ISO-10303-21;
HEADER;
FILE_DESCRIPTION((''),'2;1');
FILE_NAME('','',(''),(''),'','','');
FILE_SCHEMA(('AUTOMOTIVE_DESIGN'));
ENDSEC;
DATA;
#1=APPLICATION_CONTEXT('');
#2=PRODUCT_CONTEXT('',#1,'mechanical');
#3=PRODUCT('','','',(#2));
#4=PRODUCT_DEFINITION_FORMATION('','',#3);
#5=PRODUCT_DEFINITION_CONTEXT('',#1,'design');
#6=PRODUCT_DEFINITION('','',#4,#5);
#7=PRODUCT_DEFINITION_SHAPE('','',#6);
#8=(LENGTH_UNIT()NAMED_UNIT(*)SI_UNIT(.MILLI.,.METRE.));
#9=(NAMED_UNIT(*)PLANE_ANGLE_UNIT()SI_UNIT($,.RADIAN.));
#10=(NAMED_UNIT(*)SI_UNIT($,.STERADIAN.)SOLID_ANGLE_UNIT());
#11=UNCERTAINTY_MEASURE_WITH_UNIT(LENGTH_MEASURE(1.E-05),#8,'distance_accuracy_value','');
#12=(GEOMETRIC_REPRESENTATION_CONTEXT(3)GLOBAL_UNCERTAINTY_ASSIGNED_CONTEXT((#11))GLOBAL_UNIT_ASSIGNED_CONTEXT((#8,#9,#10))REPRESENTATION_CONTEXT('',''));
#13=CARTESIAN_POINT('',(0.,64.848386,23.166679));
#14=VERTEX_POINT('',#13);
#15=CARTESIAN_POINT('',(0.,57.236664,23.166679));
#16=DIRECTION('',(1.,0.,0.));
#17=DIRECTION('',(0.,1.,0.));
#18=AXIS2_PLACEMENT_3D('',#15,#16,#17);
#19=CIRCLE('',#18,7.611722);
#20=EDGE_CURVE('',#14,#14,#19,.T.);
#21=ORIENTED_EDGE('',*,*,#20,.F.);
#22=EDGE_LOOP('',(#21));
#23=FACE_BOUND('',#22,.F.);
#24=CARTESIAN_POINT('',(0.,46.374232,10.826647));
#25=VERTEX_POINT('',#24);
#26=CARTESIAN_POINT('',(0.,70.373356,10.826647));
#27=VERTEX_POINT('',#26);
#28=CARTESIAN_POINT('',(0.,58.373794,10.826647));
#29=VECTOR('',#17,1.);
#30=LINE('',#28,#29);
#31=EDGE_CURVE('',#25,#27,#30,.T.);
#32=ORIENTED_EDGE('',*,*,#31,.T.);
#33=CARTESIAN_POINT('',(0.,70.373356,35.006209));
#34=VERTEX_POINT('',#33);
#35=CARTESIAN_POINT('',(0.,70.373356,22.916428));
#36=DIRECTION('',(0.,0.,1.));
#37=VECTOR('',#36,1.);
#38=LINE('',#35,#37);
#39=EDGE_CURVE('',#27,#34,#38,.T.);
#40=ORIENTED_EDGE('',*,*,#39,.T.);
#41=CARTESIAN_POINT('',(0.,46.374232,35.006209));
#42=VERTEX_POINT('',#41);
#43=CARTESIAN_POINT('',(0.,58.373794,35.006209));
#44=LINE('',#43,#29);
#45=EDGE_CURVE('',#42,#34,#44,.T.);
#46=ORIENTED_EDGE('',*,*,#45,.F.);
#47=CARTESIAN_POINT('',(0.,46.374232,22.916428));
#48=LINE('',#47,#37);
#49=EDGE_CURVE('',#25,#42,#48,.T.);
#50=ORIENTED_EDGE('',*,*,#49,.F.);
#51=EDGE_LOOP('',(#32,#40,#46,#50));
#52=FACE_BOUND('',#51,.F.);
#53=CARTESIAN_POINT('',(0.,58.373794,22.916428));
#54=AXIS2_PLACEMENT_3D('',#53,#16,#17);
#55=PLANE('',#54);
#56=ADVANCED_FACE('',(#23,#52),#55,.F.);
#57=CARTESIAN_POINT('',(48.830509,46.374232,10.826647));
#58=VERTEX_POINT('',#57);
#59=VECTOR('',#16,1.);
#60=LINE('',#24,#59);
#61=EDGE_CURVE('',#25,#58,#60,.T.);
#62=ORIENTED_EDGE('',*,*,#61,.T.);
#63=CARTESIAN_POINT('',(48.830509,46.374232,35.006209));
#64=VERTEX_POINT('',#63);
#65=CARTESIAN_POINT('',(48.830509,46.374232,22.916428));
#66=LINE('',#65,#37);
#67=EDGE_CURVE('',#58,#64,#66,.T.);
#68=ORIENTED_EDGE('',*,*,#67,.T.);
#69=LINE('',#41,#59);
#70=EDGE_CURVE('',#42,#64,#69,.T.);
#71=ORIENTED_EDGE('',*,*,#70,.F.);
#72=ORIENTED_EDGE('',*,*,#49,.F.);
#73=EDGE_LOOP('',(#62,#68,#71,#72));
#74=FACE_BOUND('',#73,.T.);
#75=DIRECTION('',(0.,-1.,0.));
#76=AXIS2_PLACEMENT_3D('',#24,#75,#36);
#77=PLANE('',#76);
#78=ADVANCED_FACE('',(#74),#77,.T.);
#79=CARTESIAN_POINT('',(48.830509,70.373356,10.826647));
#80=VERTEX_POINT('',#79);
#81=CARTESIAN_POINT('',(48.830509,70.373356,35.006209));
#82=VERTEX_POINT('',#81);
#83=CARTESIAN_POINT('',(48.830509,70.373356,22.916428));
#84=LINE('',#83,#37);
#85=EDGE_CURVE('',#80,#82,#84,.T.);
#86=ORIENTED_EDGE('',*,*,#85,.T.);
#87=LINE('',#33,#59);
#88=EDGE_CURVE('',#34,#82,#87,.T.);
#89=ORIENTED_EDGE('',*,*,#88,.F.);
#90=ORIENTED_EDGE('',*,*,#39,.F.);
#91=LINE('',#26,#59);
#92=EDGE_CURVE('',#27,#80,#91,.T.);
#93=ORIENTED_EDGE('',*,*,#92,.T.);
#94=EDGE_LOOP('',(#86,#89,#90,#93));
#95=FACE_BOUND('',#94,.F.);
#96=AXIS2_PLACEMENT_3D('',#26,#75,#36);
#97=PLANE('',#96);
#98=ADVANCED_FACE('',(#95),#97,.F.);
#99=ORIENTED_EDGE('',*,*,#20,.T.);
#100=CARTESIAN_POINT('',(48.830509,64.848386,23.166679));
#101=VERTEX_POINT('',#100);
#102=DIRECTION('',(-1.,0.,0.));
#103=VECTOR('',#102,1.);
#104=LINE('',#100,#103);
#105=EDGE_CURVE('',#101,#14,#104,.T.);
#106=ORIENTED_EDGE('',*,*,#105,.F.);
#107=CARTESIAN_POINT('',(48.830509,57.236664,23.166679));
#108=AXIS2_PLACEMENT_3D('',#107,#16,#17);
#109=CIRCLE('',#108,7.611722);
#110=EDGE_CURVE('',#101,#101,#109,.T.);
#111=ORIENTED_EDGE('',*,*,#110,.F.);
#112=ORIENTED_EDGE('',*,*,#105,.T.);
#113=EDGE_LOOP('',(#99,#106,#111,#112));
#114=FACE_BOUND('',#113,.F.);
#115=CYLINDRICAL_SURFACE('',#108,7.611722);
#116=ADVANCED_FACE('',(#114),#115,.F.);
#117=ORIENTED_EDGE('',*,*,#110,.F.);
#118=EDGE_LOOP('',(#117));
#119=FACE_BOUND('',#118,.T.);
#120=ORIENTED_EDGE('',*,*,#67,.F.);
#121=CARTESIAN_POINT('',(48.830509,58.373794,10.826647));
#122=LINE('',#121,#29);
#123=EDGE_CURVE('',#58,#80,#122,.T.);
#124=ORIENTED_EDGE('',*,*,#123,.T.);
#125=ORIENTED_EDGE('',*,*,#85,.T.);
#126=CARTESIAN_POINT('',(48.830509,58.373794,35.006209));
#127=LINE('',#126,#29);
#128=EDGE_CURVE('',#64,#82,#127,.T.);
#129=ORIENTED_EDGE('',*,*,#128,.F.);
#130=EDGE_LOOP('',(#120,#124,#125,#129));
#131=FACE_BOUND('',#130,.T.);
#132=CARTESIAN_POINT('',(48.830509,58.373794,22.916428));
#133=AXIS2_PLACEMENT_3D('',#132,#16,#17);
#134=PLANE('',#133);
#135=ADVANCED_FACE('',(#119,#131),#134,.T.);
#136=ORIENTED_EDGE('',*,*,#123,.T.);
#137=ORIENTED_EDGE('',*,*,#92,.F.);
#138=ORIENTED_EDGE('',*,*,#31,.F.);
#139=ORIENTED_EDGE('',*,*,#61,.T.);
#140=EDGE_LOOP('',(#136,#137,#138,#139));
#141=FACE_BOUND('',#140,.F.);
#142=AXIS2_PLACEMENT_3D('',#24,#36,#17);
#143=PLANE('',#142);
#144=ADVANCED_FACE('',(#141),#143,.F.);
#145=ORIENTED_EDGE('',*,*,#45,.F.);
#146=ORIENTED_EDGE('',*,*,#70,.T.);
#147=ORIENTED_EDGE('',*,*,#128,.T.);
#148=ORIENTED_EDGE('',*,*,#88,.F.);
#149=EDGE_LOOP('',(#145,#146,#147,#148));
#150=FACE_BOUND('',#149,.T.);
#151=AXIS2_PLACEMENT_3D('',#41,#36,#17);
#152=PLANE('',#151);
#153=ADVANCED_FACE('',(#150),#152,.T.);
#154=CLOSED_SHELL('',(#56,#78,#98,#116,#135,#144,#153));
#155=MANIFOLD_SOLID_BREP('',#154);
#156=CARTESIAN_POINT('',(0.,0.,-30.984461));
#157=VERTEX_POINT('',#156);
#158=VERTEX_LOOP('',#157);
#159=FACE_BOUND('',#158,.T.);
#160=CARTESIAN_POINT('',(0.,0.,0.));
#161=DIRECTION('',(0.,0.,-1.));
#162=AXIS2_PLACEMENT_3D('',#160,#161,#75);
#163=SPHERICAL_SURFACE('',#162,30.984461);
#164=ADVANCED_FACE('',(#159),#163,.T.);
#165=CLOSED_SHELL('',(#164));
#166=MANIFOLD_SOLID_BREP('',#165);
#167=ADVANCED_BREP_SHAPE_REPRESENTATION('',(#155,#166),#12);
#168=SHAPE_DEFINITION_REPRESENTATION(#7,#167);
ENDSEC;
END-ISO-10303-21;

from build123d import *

# Parameters (mm, degrees)
F2_W     = 23.999124
F2_H     = 24.179563
F3_DEPTH = 48.830509
F4_R     = 7.611722
F5_DEPTH = 71.608588


with BuildPart() as f1:
    # F0 (on Right) → F1 (revolve)
    with BuildSketch(Plane.YZ):
        with BuildLine():
            Line((0, -30.984461), (0, 30.984461))
            ThreePointArc((0, 30.984461), (-30.984461, 0), (0, -30.984461))
        make_face()
    revolve(axis=Axis((0, 0, 3.87954), (0, 0, -1)))


with BuildPart() as f3:
    # F2 (on Right) → F3 (new body)
    with BuildSketch(Plane.YZ):
        with Locations((58.373794, 22.916428)):
            Rectangle(F2_W, F2_H)
    extrude(amount=F3_DEPTH)

    # F4 (on face) → F5 (cut)
    with BuildSketch(Plane.YZ.offset(48.830509)):
        with Locations((57.236664, 23.166679)):
            Circle(F4_R)
    extrude(amount=-F5_DEPTH, mode=Mode.SUBTRACT)


solid = Compound([f1.part, f3.part])
